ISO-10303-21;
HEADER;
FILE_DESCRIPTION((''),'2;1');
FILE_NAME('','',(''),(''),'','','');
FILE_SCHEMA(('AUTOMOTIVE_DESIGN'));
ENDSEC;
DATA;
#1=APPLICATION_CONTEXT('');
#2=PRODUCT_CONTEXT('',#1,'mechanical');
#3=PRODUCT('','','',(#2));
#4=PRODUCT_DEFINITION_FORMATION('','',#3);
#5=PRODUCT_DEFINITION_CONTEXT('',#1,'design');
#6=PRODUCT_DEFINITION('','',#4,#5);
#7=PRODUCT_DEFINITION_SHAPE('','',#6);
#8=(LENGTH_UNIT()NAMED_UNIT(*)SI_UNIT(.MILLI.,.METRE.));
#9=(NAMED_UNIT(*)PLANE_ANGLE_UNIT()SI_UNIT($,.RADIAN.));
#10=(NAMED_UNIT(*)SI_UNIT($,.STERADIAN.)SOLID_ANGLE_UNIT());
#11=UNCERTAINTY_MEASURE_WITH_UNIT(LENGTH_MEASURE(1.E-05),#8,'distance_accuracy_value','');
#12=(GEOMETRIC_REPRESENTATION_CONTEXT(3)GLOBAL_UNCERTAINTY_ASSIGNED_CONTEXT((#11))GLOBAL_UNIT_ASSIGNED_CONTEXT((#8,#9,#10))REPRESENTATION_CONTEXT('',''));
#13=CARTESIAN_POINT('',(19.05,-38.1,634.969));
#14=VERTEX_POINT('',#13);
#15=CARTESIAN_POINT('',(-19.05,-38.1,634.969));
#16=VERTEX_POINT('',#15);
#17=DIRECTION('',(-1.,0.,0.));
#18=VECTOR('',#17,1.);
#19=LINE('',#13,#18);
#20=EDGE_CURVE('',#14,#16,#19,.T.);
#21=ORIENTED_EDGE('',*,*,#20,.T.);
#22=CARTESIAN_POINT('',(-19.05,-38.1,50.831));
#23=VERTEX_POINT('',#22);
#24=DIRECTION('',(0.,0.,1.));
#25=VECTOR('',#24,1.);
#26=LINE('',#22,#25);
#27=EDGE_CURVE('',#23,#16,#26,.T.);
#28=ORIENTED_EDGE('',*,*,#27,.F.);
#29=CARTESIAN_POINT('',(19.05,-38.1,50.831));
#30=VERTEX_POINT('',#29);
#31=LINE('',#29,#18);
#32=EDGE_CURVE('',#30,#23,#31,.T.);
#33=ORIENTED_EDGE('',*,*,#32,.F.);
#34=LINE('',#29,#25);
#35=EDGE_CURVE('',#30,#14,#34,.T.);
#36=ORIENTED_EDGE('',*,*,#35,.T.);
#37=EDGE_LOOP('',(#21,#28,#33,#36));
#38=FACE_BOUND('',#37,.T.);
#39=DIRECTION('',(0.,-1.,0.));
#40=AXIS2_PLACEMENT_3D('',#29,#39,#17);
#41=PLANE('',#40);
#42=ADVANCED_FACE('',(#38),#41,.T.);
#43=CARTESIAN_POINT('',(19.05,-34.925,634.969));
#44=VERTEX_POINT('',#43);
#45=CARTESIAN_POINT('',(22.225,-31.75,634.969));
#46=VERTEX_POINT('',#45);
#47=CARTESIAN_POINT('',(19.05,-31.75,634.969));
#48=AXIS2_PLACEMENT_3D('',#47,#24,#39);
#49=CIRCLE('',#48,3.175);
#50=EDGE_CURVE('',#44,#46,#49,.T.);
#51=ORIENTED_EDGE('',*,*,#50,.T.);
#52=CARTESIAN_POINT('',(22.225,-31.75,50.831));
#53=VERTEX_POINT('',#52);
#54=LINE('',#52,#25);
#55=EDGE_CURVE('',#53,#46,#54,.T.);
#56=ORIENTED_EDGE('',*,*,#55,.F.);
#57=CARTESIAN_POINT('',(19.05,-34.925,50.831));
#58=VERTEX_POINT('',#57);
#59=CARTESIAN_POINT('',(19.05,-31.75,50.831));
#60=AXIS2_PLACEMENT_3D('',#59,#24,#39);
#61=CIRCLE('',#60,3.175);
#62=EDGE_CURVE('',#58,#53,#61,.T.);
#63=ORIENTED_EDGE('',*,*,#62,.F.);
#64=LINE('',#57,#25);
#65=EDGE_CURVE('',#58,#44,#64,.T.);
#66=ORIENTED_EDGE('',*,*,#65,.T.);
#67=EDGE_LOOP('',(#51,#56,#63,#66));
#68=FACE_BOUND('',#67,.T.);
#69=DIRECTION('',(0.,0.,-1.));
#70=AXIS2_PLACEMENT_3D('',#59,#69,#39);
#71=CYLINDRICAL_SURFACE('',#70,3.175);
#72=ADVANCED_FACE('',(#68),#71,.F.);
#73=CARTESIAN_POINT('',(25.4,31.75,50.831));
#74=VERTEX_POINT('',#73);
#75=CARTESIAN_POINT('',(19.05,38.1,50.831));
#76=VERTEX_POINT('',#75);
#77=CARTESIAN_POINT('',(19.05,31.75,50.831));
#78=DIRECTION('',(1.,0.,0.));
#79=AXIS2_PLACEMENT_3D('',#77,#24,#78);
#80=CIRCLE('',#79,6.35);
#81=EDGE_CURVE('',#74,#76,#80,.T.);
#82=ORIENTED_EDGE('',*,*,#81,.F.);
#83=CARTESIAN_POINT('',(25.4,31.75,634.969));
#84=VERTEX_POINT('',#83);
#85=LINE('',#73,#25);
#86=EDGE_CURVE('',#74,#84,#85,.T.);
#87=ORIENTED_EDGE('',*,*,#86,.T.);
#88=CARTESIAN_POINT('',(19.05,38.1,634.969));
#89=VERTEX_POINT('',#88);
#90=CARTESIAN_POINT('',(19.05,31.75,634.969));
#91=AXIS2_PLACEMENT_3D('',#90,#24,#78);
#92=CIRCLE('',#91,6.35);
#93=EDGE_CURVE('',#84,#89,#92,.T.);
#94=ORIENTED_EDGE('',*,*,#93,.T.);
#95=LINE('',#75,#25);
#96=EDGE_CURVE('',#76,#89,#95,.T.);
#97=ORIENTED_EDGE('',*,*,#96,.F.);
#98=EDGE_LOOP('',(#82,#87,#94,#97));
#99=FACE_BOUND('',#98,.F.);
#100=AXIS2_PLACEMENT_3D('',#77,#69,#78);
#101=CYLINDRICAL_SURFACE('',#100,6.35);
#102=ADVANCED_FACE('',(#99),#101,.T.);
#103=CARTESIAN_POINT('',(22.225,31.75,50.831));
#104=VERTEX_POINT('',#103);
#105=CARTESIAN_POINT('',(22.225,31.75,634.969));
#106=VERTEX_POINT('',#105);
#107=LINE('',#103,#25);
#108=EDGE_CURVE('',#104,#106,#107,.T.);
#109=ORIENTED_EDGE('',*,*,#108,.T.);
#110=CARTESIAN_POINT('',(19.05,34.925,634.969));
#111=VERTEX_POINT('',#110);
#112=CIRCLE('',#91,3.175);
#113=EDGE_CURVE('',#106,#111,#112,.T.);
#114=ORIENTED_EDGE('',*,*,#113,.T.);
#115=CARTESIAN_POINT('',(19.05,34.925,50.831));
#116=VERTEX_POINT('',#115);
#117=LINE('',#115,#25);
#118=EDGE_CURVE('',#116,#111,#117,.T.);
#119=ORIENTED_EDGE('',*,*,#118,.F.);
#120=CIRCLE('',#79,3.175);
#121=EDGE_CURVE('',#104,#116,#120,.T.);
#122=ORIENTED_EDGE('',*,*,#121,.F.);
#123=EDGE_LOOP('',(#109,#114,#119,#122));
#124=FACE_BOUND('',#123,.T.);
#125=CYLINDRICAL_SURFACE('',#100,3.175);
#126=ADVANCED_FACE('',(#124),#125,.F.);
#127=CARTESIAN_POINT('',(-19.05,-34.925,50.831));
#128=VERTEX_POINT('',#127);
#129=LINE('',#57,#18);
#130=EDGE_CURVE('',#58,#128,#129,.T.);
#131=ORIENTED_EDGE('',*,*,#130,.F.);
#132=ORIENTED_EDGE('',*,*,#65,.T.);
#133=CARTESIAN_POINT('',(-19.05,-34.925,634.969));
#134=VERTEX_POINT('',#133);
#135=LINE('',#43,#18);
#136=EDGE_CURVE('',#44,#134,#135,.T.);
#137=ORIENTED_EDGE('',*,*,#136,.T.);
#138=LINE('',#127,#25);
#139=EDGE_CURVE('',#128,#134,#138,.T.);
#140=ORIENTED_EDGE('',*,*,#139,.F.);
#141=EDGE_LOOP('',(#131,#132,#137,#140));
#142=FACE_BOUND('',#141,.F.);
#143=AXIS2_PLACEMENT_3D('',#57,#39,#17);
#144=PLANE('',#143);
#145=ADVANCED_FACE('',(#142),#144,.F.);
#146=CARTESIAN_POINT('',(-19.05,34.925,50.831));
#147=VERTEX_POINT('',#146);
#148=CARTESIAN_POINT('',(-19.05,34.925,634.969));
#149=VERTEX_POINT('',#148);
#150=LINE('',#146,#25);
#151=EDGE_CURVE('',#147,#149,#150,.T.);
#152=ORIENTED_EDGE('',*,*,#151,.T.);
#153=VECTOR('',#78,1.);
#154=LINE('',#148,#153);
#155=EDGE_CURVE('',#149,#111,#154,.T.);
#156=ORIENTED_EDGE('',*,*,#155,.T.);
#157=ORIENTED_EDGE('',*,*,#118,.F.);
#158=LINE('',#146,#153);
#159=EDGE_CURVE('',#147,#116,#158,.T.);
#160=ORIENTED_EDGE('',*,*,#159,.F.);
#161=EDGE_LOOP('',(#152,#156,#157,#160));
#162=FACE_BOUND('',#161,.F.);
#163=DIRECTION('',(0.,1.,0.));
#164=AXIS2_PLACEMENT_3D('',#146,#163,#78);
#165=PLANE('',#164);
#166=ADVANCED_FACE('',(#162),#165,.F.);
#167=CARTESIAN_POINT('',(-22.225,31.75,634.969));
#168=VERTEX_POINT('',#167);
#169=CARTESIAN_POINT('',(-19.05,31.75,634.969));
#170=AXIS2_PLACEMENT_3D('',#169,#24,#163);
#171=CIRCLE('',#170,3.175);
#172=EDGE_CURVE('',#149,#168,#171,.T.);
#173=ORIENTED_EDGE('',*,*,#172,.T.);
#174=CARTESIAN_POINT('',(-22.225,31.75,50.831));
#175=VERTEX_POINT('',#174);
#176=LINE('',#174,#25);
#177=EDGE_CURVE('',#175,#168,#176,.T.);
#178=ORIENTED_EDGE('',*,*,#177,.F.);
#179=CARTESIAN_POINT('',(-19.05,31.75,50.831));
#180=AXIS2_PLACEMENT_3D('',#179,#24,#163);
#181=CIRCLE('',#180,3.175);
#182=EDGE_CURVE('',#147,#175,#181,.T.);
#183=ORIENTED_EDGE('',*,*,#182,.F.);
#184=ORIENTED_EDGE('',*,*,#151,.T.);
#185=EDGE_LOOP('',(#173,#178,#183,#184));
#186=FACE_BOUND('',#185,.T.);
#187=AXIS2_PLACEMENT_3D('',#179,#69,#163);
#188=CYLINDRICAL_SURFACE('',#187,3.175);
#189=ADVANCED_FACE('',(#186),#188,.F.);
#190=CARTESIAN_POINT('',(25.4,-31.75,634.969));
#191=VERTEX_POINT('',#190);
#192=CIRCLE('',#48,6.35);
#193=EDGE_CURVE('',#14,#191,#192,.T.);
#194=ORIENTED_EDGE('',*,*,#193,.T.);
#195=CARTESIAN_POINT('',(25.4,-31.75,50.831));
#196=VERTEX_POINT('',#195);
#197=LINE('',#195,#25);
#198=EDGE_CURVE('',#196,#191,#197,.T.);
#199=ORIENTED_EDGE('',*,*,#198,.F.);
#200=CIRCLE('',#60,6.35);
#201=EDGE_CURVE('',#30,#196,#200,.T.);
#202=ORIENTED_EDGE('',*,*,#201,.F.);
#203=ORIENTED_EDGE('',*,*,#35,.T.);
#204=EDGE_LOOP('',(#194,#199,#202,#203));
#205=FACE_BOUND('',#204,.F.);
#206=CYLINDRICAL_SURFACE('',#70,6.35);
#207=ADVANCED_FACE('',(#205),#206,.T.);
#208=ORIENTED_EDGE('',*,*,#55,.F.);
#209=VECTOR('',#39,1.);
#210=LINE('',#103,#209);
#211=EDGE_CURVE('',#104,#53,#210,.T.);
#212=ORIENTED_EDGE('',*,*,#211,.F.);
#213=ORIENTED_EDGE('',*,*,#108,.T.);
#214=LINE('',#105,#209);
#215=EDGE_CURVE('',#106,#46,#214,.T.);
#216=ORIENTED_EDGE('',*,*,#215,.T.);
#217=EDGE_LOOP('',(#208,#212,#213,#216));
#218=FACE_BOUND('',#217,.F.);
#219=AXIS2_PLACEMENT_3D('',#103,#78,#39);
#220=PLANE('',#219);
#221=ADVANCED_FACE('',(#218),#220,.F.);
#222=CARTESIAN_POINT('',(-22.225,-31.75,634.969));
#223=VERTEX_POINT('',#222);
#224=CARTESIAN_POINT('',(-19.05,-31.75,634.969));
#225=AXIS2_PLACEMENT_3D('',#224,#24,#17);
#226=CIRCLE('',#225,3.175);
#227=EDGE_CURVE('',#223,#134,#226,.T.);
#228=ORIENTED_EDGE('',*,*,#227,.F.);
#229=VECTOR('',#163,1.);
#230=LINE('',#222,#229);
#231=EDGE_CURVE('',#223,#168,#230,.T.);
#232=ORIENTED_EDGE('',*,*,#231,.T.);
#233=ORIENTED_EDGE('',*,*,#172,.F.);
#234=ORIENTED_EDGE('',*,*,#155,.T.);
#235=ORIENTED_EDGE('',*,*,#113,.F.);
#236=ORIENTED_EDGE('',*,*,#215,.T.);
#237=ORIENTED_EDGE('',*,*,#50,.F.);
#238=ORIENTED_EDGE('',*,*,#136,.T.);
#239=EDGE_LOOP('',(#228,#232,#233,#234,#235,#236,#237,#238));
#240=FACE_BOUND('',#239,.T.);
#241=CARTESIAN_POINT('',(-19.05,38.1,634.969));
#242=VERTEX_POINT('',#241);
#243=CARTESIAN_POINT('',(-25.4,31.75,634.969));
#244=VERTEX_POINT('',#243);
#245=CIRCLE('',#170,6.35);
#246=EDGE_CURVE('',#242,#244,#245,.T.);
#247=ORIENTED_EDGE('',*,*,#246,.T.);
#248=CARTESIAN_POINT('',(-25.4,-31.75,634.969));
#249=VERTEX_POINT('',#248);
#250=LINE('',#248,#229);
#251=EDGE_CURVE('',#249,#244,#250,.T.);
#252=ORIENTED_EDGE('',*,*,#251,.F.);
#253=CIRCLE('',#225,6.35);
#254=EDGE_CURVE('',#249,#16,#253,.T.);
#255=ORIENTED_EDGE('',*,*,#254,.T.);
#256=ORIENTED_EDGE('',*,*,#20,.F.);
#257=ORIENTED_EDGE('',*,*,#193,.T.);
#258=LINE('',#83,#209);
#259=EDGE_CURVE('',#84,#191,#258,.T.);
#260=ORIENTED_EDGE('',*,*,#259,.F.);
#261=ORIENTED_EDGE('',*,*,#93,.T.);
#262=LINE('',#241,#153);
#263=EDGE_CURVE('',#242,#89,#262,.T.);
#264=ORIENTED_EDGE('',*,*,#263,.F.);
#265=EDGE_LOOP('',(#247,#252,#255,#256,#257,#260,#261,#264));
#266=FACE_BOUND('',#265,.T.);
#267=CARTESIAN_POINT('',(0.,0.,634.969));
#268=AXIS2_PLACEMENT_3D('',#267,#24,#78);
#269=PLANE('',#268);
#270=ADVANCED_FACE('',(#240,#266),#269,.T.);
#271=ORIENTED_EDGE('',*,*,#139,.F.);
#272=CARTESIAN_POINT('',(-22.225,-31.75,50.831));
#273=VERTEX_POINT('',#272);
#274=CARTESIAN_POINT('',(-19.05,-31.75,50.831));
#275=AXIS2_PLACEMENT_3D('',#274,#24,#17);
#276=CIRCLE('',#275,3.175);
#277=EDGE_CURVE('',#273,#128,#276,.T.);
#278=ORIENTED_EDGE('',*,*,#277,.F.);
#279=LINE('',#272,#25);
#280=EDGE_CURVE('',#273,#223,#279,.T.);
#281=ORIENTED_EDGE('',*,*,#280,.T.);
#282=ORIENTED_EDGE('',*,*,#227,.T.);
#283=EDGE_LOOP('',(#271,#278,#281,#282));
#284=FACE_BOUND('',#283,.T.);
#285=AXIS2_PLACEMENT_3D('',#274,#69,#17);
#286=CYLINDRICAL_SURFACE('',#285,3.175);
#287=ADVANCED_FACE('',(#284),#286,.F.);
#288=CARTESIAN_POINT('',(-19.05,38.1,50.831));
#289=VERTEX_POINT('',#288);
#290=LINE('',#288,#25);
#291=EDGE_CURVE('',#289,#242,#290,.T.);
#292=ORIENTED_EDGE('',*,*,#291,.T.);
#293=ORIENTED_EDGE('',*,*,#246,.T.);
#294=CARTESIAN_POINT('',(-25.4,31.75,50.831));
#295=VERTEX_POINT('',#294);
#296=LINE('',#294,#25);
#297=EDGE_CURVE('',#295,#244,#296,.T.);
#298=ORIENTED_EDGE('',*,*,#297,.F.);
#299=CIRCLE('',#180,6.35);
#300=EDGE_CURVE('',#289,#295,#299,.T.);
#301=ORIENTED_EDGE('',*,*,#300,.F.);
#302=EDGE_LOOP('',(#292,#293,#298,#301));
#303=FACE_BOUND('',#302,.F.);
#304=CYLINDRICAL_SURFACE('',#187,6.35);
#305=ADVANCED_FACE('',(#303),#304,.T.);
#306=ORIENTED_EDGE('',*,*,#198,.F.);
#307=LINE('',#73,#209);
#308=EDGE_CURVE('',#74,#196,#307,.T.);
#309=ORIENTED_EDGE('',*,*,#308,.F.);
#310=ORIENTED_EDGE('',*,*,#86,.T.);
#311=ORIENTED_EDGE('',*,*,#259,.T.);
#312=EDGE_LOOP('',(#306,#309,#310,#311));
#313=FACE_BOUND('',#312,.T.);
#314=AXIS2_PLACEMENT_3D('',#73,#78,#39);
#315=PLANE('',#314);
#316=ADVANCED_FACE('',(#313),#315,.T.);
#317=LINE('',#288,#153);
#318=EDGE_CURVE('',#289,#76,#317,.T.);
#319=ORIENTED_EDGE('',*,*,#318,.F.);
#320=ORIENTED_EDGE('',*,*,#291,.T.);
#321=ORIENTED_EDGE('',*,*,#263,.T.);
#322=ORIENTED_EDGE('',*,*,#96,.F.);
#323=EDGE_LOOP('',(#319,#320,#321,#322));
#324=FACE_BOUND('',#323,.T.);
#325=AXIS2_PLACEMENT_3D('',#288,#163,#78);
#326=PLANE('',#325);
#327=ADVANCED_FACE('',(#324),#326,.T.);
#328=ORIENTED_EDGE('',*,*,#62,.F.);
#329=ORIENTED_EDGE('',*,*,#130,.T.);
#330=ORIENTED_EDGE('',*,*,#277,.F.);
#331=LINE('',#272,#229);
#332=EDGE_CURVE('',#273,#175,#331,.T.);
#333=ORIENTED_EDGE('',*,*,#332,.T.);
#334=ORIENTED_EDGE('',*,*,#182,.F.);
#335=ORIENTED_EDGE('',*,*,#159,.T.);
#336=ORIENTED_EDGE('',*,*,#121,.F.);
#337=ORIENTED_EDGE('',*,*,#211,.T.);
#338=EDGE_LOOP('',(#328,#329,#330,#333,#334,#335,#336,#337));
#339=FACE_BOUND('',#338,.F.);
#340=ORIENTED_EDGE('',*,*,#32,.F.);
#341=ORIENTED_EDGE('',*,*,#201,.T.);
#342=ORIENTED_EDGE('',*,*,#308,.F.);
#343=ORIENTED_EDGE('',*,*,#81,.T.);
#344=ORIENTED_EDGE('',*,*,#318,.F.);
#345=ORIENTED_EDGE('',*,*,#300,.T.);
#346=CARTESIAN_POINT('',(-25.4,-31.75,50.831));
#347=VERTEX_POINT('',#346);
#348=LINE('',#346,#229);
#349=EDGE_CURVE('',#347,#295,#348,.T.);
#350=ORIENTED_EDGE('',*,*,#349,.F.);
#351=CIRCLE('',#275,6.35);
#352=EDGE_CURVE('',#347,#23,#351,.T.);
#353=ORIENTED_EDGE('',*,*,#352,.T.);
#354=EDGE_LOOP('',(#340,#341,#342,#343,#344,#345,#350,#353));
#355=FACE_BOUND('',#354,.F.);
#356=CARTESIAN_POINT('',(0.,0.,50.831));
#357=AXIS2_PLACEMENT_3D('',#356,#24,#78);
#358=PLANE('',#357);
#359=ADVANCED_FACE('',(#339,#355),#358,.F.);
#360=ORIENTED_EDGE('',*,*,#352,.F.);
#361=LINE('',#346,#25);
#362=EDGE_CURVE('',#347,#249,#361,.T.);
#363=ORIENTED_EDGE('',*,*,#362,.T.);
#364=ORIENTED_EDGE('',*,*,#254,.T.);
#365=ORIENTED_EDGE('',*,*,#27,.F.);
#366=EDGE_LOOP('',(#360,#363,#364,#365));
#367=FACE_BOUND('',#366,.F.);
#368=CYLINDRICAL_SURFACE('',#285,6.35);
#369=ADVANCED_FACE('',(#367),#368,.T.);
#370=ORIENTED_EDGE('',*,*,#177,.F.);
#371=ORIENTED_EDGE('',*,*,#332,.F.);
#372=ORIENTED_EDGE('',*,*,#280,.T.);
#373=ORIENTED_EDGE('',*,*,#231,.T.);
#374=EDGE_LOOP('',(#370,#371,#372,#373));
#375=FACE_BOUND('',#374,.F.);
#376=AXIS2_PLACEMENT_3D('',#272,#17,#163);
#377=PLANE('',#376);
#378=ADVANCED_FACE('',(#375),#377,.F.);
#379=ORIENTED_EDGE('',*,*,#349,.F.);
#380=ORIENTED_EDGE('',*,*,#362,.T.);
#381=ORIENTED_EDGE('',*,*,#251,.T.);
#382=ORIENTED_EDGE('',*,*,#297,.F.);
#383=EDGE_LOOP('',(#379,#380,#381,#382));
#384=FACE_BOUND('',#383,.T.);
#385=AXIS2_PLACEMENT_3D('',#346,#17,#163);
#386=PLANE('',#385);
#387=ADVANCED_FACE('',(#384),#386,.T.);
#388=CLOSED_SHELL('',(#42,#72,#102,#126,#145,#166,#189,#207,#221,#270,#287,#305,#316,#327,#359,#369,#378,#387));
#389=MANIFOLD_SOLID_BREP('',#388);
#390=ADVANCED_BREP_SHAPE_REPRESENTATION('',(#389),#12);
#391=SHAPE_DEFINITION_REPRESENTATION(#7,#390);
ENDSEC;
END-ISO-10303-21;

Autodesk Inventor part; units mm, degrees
ref_plane "Start Plane" through (0, 0, 50.831) normal (0, 0, 1) x (1, 0, 0)
ref_plane "End Plane" through (0, 0, 634.969) normal (0, 0, 1) x (1, 0, 0)
sketch "Sketch" plane through (0, 0, 0) normal (0, 0, 1) x (1, 0, 0)
  line L0 (-25.4, -31.75) -> (-25.4, 31.75)
  line L1 (-19.05, 38.1) -> (19.05, 38.1)
  line L2 (25.4, 31.75) -> (25.4, -31.75)
  line L3 (19.05, -38.1) -> (-19.05, -38.1)
  arc A0 (-25.4, -31.75) -> (-19.05, -38.1) centre (-19.05, -31.75) ccw
  arc A1 (-19.05, 38.1) -> (-25.4, 31.75) centre (-19.05, 31.75) ccw
  arc A2 (25.4, 31.75) -> (19.05, 38.1) centre (19.05, 31.75) ccw
  arc A3 (19.05, -38.1) -> (25.4, -31.75) centre (19.05, -31.75) ccw
  arc A4 (-19.05, 34.925) -> (-22.225, 31.75) centre (-19.05, 31.75) ccw
  line L4 (-19.05, 34.925) -> (19.05, 34.925)
  arc A5 (22.225, 31.75) -> (19.05, 34.925) centre (19.05, 31.75) ccw
  line L5 (22.225, 31.75) -> (22.225, -31.75)
  arc A6 (19.05, -34.925) -> (22.225, -31.75) centre (19.05, -31.75) ccw
  line L6 (19.05, -34.925) -> (-19.05, -34.925)
  arc A7 (-22.225, -31.75) -> (-19.05, -34.925) centre (-19.05, -31.75) ccw
  line L7 (-22.225, -31.75) -> (-22.225, 31.75)
  line L8 (0, 55.1812) -> (0, -55.1812) construction
  line L9 (-37.4012, 0) -> (37.4012, 0) construction
  dimension "d10" = 76.2
  dimension "d11" = 50.8
  dimension "d12" = 3.175
  dimension "d15" = 38.1
  dimension "d16" = 25.4
  dimension "d17" = 6.35
extrude "Body" add sketch "Sketch" along normal up to surface (584.138 mm away) from surface at 50.831
sketch "Sketch3" plane through (0, 0, 0) normal (0, 0, 1) x (1, 0, 0)
  line L0 (0, 0) -> (10, 0)
ref_plane "Work Plane3" through (0, 0, 0) normal (0, -1, 0) x (1, 0, 0)
ref_plane "Work Plane4" through (1282.7, -31.75, 634.969) normal (0, 0, 1) x (1, 0, 0)
split "Split1" plane through (1282.7, -31.75, 634.969) removes the side toward (0, 0, 1)
ref_plane "Work Plane5" through (1282.7, 31.75, 50.831) normal (0, 0, -1) x (-1, 0, 0)
split "Split2" plane through (1282.7, 31.75, 50.831) removes the side toward (0, 0, -1)
sketch "Sketch4" plane through (0, 0, 0) normal (0, -1, 0) x (1, 0, 0)
  line L0 (-2, 50.831) -> (12, 50.831) projected
  line L1 (-2, 634.969) -> (12, 634.969) projected
  dimension "d19" = 584.138
equation "\"d10\" = G_H"
equation "\"d11\" = G_W"
equation "\"d12\" = G_T"
equation "\"d15\" = 0.5 * d10"
equation "\"d16\" = 0.5 * d11"
equation "\"d17\" = G_IR"
equation "\"d3\" = G_L"
equation "\"G_W\" = 50.8"
equation "\"G_H\" = 76.2"
equation "\"G_T\" = 3.175"
equation "\"G_IR\" = 6.35"
equation "\"G_L\" = d19"
equation "\"G_OFFSET_START\" = -50.831"
equation "\"G_OFFSET_END\" = -25.431"
equation "\"d13\" = -G_OFFSET_START"
equation "\"d14\" = G_OFFSET_END + B_L"
equation "\"B_L\" = 660.4"
properties part number "AISC - 3 x 2 x 1/8 - 22.998" material "Steel, Mild"
